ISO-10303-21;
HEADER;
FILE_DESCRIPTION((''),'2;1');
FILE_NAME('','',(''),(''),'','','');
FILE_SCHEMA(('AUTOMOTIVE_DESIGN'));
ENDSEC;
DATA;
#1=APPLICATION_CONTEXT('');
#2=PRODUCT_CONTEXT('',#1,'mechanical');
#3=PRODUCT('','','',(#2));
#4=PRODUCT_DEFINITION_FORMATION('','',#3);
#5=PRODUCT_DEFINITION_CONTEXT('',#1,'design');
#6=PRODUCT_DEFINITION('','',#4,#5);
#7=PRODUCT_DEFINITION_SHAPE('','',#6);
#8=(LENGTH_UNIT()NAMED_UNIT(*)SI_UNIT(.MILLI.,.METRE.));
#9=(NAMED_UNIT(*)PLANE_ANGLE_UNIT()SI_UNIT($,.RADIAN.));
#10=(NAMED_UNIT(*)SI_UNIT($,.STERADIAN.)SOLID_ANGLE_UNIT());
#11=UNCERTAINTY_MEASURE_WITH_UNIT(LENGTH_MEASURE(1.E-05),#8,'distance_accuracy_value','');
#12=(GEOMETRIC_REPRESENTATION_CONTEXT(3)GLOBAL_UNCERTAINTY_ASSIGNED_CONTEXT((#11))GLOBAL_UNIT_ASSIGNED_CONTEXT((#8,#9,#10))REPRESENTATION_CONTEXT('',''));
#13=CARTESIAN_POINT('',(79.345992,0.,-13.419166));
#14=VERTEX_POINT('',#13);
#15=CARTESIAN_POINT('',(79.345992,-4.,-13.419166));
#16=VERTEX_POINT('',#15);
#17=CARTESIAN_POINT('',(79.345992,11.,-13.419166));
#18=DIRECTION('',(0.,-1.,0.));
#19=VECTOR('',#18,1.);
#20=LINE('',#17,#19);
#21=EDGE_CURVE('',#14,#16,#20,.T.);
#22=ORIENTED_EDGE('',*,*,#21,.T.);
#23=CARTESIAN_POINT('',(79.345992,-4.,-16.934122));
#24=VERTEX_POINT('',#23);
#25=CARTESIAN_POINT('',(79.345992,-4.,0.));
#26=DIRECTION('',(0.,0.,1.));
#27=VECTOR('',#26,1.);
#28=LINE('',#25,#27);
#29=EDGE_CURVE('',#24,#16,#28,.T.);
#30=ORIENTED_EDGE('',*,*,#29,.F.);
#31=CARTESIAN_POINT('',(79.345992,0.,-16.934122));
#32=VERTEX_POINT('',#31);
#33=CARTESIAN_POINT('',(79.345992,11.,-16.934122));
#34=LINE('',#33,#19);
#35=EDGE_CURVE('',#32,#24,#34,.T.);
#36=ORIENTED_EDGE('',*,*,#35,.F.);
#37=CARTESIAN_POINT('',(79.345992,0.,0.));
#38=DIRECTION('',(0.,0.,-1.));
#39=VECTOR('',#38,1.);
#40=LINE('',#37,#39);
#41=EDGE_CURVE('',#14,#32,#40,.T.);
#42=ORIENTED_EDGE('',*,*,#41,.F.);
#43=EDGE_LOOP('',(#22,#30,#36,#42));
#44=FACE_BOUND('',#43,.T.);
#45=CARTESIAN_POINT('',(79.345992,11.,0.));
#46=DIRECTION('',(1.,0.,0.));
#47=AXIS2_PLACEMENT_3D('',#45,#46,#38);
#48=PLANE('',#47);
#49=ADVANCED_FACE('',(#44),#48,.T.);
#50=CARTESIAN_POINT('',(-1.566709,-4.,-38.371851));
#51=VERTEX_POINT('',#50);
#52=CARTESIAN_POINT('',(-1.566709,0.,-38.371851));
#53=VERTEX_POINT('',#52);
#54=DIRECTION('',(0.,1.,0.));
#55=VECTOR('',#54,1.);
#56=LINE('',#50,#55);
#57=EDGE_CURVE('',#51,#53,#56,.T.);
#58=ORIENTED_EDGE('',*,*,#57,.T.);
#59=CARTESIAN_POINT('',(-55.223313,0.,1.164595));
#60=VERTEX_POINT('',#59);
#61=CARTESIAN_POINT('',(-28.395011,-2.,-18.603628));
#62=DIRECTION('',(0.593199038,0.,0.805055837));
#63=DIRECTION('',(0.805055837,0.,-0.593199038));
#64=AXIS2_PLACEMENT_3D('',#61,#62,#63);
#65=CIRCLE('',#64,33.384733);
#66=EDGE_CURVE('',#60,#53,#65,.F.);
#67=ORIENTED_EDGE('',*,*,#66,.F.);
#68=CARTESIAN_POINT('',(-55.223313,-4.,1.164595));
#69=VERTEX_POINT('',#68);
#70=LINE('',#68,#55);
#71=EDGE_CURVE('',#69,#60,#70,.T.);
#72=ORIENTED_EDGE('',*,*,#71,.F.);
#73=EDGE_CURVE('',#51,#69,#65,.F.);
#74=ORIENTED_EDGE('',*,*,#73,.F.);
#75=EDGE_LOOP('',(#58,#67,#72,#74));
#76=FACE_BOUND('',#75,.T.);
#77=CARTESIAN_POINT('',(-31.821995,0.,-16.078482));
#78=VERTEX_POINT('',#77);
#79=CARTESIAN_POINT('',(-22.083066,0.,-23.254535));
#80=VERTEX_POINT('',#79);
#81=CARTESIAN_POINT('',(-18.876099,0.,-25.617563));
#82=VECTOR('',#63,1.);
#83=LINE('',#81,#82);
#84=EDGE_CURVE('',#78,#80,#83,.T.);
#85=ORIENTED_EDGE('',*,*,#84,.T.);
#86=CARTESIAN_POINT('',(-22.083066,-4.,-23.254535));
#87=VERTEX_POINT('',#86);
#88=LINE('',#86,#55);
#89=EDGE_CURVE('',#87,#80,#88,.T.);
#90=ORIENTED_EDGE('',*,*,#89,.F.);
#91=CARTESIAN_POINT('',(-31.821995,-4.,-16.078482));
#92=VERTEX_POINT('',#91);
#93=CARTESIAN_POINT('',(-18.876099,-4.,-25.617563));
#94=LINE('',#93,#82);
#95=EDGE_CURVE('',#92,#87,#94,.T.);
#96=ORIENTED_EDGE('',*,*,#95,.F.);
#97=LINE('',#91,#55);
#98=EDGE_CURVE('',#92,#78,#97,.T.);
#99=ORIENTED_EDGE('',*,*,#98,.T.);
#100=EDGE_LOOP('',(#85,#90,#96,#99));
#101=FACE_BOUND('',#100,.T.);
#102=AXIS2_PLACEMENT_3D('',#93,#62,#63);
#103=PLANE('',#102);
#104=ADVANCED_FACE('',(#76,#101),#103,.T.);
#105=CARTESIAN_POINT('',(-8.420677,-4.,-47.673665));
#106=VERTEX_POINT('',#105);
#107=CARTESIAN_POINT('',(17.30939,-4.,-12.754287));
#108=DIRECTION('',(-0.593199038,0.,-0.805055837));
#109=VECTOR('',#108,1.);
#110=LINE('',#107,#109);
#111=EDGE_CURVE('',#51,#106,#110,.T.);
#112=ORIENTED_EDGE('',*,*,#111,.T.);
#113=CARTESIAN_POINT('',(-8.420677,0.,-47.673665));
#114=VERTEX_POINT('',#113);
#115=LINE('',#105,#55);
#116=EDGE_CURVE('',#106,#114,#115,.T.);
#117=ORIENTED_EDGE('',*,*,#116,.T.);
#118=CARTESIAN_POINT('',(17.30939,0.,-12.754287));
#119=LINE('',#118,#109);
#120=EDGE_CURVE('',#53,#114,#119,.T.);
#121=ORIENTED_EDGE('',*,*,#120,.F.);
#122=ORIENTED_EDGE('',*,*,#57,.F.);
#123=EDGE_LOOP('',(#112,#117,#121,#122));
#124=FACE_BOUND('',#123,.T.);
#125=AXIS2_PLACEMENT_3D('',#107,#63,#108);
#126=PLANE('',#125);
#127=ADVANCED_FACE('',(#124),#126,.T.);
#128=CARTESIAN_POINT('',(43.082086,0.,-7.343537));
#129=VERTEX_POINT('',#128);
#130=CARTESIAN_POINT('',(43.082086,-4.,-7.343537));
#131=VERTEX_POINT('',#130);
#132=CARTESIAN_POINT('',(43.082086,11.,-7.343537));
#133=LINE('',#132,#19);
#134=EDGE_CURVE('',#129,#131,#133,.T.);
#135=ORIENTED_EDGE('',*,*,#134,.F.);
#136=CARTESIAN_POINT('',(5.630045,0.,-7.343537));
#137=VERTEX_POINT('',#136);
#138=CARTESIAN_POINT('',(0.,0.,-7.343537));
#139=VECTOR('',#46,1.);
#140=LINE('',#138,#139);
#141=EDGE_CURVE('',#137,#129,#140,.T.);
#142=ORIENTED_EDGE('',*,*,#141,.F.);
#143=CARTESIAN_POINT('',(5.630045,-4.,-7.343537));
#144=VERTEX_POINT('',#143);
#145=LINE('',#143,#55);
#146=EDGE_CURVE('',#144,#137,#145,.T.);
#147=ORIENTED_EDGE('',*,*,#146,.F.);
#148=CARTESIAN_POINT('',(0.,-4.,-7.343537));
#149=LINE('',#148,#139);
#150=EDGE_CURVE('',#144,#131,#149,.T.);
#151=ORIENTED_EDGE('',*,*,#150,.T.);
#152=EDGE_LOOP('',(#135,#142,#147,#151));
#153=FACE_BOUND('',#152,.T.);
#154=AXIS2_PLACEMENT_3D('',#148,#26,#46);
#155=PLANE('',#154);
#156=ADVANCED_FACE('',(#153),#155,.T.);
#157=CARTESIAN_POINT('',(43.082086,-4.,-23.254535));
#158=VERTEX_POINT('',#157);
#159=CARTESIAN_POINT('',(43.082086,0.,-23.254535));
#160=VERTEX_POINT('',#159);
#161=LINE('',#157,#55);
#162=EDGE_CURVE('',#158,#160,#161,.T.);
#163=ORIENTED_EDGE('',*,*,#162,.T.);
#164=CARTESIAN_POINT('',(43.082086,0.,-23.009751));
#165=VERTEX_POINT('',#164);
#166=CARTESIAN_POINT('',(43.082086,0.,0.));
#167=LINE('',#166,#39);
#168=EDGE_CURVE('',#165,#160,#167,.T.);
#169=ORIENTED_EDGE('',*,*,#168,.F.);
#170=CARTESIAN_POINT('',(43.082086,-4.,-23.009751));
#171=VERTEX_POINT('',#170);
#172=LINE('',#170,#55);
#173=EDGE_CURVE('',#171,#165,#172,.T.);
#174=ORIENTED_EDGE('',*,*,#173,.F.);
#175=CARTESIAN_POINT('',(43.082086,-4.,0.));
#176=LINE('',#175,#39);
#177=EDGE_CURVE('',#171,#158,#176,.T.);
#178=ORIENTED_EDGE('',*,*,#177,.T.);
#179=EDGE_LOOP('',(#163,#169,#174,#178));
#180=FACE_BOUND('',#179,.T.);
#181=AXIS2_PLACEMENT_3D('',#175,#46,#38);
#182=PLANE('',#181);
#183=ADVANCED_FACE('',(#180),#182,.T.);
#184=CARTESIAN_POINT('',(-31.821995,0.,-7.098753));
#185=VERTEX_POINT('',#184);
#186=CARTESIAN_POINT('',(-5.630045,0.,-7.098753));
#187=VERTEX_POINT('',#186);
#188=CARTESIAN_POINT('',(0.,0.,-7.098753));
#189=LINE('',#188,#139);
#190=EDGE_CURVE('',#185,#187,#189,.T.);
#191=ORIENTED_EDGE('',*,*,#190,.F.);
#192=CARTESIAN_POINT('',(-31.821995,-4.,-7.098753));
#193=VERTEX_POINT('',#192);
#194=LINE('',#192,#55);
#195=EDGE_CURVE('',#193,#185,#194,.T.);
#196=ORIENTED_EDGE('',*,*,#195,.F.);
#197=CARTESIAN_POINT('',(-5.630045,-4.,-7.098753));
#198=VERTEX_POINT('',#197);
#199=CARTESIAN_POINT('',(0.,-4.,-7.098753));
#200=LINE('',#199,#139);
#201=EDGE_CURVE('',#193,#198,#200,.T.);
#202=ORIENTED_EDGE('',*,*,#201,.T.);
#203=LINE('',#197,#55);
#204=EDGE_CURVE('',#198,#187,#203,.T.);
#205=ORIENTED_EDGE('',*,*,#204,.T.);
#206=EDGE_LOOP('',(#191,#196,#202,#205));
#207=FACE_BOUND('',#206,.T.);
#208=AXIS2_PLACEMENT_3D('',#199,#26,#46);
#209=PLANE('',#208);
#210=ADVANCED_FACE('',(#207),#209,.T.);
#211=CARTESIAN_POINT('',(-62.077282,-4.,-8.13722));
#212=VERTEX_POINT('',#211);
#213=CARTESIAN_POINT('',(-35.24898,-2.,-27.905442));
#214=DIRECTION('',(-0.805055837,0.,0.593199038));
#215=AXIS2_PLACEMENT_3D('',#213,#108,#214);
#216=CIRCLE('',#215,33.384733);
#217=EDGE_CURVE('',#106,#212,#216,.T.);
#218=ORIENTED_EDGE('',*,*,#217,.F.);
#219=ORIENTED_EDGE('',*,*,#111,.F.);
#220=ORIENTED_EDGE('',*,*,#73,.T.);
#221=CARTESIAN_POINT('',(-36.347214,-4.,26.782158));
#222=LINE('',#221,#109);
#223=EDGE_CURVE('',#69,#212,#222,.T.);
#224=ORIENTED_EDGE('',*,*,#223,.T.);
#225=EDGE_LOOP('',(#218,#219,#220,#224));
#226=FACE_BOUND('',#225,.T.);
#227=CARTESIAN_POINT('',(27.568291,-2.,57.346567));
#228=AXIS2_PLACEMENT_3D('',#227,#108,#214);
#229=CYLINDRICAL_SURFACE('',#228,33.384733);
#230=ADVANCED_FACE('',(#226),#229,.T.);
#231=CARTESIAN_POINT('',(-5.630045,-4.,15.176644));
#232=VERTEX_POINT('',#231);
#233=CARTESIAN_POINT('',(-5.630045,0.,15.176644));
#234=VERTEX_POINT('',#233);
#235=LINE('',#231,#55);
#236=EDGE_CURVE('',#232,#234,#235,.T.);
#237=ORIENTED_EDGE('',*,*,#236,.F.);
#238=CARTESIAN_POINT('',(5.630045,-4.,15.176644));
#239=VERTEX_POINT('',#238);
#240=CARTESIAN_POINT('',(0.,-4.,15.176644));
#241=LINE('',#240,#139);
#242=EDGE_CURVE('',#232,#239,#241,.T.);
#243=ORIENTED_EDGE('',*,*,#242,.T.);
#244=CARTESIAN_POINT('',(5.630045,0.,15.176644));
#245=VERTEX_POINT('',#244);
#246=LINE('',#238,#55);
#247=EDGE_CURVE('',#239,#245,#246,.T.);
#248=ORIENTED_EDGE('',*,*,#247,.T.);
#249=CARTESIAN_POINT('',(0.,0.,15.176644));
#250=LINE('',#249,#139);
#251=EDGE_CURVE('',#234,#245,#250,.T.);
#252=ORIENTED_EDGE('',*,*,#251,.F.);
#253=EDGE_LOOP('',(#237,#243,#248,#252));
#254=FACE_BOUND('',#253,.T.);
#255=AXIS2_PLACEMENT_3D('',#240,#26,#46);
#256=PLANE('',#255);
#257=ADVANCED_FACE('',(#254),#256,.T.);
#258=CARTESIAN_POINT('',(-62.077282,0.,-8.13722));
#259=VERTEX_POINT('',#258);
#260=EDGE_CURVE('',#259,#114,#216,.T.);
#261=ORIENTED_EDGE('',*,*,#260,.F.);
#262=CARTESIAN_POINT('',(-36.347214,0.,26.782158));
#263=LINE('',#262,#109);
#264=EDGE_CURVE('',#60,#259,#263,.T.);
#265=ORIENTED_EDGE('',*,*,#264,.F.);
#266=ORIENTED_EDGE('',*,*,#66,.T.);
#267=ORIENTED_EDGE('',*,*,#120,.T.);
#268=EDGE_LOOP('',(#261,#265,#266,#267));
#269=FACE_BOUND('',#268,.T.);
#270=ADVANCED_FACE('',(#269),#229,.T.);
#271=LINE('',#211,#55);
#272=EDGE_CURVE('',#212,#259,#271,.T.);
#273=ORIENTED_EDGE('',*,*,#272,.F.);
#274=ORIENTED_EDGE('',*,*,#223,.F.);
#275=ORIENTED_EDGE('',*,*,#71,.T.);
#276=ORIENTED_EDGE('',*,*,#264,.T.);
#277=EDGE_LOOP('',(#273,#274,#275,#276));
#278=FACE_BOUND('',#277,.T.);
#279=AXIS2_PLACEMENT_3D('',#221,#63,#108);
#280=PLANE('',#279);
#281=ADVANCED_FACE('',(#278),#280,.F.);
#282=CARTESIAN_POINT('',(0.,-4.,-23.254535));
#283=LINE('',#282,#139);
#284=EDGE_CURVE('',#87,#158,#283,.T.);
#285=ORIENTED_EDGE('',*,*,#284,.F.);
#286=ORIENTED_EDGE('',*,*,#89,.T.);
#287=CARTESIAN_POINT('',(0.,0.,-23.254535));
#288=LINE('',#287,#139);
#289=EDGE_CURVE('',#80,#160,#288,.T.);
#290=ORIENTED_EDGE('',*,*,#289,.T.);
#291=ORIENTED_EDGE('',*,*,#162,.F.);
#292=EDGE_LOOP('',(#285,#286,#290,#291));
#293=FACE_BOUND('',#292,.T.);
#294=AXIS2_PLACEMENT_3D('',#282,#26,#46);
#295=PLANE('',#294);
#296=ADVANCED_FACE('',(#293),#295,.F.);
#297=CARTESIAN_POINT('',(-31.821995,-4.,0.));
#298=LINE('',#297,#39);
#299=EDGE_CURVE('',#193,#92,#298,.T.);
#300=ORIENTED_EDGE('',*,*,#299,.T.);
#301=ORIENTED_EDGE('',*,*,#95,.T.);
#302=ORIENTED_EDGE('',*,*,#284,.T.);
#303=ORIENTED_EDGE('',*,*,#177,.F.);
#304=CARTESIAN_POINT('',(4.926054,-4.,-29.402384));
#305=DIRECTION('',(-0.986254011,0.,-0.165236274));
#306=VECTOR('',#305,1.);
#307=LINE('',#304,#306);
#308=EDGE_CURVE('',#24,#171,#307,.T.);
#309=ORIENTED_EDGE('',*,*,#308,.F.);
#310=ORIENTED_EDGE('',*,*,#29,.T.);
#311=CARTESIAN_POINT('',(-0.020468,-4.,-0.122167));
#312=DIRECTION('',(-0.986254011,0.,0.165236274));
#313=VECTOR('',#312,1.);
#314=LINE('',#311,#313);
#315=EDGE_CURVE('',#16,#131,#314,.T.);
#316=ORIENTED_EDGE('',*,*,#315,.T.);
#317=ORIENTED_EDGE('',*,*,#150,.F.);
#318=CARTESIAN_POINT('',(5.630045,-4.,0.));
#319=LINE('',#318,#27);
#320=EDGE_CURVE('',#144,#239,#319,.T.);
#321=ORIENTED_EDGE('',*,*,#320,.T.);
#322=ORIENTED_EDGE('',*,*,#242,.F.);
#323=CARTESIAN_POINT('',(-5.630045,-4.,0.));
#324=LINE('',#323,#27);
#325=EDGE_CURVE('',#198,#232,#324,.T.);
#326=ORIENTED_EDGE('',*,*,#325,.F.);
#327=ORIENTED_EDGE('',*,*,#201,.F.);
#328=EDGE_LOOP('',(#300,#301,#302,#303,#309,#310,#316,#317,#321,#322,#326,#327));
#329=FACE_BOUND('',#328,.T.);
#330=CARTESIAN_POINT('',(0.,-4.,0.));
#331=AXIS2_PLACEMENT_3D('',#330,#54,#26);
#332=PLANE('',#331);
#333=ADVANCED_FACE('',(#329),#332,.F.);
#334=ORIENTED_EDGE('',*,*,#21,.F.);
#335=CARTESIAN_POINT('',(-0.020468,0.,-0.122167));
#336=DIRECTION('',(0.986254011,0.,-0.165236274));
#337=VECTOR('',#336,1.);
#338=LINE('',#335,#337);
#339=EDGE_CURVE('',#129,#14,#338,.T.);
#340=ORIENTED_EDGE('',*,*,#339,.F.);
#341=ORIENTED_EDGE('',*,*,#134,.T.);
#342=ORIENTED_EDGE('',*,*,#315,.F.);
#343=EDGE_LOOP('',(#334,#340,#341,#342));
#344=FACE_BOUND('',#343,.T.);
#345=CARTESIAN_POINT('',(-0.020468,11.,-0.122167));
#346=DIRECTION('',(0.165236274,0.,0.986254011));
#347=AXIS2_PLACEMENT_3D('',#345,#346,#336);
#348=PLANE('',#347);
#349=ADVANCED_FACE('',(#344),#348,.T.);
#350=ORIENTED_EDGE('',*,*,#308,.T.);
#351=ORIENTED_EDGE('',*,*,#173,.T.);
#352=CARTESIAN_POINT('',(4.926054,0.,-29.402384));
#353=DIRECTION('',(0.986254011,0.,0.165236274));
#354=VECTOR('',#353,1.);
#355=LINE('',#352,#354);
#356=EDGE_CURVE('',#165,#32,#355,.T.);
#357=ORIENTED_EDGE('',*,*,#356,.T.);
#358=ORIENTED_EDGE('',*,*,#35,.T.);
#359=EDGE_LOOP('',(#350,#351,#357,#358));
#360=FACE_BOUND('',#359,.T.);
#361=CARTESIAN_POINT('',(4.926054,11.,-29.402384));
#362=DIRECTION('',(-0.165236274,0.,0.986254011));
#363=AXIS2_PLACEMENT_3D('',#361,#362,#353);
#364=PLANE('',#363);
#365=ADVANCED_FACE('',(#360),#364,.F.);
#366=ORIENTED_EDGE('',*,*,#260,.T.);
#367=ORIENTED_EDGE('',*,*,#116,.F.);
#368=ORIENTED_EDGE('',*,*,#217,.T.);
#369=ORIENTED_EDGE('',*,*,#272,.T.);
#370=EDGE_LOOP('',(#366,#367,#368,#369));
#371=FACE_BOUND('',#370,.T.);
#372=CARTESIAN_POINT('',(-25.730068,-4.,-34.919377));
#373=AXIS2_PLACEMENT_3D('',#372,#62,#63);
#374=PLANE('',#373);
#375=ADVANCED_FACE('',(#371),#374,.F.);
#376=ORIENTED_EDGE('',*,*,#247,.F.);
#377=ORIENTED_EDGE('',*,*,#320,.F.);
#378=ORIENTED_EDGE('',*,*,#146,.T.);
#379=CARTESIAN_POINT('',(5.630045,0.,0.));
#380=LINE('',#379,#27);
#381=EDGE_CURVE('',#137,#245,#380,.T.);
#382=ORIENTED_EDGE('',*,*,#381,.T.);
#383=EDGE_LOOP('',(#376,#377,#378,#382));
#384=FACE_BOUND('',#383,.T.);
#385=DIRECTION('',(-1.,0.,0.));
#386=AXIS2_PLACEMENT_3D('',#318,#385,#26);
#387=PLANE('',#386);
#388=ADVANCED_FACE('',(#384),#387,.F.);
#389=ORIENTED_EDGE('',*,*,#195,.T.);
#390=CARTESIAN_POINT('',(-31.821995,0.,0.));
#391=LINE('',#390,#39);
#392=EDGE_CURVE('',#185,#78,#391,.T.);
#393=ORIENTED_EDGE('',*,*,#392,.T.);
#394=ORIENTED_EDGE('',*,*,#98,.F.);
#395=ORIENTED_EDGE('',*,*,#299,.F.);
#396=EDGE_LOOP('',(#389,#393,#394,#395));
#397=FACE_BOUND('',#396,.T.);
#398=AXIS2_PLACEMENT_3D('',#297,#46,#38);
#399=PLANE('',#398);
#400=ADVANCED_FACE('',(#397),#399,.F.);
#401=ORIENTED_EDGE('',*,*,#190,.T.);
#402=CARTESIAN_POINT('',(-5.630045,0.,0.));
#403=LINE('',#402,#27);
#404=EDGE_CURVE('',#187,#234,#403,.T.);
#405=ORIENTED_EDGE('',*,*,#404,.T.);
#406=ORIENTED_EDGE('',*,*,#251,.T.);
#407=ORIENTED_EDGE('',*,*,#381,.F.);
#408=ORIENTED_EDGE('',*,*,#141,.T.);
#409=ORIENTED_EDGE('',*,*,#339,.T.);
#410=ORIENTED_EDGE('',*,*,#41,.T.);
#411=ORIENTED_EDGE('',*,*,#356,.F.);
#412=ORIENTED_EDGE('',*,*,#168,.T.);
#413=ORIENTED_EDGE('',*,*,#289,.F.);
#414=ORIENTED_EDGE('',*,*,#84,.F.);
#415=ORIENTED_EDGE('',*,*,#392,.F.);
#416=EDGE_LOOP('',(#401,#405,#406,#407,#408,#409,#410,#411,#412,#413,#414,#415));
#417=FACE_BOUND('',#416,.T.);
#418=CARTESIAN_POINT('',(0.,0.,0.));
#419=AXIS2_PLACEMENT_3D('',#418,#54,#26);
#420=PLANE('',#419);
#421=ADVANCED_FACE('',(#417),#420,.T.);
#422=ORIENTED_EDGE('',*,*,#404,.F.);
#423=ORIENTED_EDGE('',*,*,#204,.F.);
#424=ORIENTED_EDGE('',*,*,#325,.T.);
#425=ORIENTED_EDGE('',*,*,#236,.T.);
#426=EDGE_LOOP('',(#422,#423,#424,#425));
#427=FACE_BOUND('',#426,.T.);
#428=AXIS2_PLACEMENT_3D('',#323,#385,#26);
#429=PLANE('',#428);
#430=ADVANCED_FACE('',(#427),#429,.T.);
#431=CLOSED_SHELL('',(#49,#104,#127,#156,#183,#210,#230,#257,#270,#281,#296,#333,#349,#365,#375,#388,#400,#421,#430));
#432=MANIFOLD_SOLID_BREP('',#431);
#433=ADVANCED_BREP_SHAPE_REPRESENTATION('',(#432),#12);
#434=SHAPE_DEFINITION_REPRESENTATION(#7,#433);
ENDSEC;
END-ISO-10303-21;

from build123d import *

# Parameters (mm, degrees)
BOSS_EXTRUDE2_DEPTH = 4
SKETCH2_W           = 66.649543755
SKETCH2_H           = 4
BOSS_EXTRUDE3_DEPTH = 11.554247081
CUT_EXTRUDE1_DEPTH  = 15


with BuildPart() as part:
    # Sketch1 → Boss-Extrude2 (new body)
    with BuildSketch(Plane(origin=(0, 0, 0), x_dir=(1, 0, 0), z_dir=(0, 1, 0))):
        Polygon((-62.077281721, 8.137219556), (-55.223313467, -1.164594503), (-31.821995465, 16.078481919), (-31.821995465, 7.098752834), (-5.630045351, 7.098752834), (-5.630045351, -15.176643991), (5.630045351, -15.176643991), (5.630045351, 7.098752834), (5.630045351, 7.343537415), (43.082086168, 7.343537415), (89.835941043, 7.343537415), (89.835941043, 23.009750567), (43.082086168, 23.009750567), (43.082086168, 23.254535147), (-22.083066084, 23.254535147), (-1.566709209, 38.371850739), (-8.420677463, 47.673664798), align=None)
    extrude(amount=-BOSS_EXTRUDE2_DEPTH)

    # Sketch2 → Boss-Extrude3 (add)
    with BuildSketch(Plane(origin=(-25.730067539, 0, -34.919377374), x_dir=(-0.8050558373533647, 0, 0.5931990380498546), z_dir=(-0.5931990380498546, 0, -0.8050558373533647))):
        with BuildLine():
            Line((-21.500856552, 0), (45.148687203, 0))
            ThreePointArc((45.148687203, 0), (11.823915325, 31.384733348), (-21.500856552, 0))
        make_face()
        with Locations((11.823915325, -2)):
            Rectangle(SKETCH2_W, SKETCH2_H)
        with BuildLine():
            ThreePointArc((-21.500856552, -4), (11.823915325, -35.384733348), (45.148687203, -4))
            Line((45.148687203, -4), (-21.500856552, -4))
        make_face()
    extrude(amount=-BOSS_EXTRUDE3_DEPTH)

    # Sketch3 → Cut-Extrude1 (cut)
    with BuildSketch(Plane.XZ.offset(4)):
        Polygon((79.345991619, -13.419165553), (79.345991619, -16.934122428), (43.082086168, -23.009750567), (79.345991619, -23.009750567), (89.835941043, -23.009750567), (89.835941043, -7.343537415), (79.345991619, -7.343537415), (43.082086168, -7.343537415), align=None)
    extrude(amount=-CUT_EXTRUDE1_DEPTH, mode=Mode.SUBTRACT)


solid = part.part
